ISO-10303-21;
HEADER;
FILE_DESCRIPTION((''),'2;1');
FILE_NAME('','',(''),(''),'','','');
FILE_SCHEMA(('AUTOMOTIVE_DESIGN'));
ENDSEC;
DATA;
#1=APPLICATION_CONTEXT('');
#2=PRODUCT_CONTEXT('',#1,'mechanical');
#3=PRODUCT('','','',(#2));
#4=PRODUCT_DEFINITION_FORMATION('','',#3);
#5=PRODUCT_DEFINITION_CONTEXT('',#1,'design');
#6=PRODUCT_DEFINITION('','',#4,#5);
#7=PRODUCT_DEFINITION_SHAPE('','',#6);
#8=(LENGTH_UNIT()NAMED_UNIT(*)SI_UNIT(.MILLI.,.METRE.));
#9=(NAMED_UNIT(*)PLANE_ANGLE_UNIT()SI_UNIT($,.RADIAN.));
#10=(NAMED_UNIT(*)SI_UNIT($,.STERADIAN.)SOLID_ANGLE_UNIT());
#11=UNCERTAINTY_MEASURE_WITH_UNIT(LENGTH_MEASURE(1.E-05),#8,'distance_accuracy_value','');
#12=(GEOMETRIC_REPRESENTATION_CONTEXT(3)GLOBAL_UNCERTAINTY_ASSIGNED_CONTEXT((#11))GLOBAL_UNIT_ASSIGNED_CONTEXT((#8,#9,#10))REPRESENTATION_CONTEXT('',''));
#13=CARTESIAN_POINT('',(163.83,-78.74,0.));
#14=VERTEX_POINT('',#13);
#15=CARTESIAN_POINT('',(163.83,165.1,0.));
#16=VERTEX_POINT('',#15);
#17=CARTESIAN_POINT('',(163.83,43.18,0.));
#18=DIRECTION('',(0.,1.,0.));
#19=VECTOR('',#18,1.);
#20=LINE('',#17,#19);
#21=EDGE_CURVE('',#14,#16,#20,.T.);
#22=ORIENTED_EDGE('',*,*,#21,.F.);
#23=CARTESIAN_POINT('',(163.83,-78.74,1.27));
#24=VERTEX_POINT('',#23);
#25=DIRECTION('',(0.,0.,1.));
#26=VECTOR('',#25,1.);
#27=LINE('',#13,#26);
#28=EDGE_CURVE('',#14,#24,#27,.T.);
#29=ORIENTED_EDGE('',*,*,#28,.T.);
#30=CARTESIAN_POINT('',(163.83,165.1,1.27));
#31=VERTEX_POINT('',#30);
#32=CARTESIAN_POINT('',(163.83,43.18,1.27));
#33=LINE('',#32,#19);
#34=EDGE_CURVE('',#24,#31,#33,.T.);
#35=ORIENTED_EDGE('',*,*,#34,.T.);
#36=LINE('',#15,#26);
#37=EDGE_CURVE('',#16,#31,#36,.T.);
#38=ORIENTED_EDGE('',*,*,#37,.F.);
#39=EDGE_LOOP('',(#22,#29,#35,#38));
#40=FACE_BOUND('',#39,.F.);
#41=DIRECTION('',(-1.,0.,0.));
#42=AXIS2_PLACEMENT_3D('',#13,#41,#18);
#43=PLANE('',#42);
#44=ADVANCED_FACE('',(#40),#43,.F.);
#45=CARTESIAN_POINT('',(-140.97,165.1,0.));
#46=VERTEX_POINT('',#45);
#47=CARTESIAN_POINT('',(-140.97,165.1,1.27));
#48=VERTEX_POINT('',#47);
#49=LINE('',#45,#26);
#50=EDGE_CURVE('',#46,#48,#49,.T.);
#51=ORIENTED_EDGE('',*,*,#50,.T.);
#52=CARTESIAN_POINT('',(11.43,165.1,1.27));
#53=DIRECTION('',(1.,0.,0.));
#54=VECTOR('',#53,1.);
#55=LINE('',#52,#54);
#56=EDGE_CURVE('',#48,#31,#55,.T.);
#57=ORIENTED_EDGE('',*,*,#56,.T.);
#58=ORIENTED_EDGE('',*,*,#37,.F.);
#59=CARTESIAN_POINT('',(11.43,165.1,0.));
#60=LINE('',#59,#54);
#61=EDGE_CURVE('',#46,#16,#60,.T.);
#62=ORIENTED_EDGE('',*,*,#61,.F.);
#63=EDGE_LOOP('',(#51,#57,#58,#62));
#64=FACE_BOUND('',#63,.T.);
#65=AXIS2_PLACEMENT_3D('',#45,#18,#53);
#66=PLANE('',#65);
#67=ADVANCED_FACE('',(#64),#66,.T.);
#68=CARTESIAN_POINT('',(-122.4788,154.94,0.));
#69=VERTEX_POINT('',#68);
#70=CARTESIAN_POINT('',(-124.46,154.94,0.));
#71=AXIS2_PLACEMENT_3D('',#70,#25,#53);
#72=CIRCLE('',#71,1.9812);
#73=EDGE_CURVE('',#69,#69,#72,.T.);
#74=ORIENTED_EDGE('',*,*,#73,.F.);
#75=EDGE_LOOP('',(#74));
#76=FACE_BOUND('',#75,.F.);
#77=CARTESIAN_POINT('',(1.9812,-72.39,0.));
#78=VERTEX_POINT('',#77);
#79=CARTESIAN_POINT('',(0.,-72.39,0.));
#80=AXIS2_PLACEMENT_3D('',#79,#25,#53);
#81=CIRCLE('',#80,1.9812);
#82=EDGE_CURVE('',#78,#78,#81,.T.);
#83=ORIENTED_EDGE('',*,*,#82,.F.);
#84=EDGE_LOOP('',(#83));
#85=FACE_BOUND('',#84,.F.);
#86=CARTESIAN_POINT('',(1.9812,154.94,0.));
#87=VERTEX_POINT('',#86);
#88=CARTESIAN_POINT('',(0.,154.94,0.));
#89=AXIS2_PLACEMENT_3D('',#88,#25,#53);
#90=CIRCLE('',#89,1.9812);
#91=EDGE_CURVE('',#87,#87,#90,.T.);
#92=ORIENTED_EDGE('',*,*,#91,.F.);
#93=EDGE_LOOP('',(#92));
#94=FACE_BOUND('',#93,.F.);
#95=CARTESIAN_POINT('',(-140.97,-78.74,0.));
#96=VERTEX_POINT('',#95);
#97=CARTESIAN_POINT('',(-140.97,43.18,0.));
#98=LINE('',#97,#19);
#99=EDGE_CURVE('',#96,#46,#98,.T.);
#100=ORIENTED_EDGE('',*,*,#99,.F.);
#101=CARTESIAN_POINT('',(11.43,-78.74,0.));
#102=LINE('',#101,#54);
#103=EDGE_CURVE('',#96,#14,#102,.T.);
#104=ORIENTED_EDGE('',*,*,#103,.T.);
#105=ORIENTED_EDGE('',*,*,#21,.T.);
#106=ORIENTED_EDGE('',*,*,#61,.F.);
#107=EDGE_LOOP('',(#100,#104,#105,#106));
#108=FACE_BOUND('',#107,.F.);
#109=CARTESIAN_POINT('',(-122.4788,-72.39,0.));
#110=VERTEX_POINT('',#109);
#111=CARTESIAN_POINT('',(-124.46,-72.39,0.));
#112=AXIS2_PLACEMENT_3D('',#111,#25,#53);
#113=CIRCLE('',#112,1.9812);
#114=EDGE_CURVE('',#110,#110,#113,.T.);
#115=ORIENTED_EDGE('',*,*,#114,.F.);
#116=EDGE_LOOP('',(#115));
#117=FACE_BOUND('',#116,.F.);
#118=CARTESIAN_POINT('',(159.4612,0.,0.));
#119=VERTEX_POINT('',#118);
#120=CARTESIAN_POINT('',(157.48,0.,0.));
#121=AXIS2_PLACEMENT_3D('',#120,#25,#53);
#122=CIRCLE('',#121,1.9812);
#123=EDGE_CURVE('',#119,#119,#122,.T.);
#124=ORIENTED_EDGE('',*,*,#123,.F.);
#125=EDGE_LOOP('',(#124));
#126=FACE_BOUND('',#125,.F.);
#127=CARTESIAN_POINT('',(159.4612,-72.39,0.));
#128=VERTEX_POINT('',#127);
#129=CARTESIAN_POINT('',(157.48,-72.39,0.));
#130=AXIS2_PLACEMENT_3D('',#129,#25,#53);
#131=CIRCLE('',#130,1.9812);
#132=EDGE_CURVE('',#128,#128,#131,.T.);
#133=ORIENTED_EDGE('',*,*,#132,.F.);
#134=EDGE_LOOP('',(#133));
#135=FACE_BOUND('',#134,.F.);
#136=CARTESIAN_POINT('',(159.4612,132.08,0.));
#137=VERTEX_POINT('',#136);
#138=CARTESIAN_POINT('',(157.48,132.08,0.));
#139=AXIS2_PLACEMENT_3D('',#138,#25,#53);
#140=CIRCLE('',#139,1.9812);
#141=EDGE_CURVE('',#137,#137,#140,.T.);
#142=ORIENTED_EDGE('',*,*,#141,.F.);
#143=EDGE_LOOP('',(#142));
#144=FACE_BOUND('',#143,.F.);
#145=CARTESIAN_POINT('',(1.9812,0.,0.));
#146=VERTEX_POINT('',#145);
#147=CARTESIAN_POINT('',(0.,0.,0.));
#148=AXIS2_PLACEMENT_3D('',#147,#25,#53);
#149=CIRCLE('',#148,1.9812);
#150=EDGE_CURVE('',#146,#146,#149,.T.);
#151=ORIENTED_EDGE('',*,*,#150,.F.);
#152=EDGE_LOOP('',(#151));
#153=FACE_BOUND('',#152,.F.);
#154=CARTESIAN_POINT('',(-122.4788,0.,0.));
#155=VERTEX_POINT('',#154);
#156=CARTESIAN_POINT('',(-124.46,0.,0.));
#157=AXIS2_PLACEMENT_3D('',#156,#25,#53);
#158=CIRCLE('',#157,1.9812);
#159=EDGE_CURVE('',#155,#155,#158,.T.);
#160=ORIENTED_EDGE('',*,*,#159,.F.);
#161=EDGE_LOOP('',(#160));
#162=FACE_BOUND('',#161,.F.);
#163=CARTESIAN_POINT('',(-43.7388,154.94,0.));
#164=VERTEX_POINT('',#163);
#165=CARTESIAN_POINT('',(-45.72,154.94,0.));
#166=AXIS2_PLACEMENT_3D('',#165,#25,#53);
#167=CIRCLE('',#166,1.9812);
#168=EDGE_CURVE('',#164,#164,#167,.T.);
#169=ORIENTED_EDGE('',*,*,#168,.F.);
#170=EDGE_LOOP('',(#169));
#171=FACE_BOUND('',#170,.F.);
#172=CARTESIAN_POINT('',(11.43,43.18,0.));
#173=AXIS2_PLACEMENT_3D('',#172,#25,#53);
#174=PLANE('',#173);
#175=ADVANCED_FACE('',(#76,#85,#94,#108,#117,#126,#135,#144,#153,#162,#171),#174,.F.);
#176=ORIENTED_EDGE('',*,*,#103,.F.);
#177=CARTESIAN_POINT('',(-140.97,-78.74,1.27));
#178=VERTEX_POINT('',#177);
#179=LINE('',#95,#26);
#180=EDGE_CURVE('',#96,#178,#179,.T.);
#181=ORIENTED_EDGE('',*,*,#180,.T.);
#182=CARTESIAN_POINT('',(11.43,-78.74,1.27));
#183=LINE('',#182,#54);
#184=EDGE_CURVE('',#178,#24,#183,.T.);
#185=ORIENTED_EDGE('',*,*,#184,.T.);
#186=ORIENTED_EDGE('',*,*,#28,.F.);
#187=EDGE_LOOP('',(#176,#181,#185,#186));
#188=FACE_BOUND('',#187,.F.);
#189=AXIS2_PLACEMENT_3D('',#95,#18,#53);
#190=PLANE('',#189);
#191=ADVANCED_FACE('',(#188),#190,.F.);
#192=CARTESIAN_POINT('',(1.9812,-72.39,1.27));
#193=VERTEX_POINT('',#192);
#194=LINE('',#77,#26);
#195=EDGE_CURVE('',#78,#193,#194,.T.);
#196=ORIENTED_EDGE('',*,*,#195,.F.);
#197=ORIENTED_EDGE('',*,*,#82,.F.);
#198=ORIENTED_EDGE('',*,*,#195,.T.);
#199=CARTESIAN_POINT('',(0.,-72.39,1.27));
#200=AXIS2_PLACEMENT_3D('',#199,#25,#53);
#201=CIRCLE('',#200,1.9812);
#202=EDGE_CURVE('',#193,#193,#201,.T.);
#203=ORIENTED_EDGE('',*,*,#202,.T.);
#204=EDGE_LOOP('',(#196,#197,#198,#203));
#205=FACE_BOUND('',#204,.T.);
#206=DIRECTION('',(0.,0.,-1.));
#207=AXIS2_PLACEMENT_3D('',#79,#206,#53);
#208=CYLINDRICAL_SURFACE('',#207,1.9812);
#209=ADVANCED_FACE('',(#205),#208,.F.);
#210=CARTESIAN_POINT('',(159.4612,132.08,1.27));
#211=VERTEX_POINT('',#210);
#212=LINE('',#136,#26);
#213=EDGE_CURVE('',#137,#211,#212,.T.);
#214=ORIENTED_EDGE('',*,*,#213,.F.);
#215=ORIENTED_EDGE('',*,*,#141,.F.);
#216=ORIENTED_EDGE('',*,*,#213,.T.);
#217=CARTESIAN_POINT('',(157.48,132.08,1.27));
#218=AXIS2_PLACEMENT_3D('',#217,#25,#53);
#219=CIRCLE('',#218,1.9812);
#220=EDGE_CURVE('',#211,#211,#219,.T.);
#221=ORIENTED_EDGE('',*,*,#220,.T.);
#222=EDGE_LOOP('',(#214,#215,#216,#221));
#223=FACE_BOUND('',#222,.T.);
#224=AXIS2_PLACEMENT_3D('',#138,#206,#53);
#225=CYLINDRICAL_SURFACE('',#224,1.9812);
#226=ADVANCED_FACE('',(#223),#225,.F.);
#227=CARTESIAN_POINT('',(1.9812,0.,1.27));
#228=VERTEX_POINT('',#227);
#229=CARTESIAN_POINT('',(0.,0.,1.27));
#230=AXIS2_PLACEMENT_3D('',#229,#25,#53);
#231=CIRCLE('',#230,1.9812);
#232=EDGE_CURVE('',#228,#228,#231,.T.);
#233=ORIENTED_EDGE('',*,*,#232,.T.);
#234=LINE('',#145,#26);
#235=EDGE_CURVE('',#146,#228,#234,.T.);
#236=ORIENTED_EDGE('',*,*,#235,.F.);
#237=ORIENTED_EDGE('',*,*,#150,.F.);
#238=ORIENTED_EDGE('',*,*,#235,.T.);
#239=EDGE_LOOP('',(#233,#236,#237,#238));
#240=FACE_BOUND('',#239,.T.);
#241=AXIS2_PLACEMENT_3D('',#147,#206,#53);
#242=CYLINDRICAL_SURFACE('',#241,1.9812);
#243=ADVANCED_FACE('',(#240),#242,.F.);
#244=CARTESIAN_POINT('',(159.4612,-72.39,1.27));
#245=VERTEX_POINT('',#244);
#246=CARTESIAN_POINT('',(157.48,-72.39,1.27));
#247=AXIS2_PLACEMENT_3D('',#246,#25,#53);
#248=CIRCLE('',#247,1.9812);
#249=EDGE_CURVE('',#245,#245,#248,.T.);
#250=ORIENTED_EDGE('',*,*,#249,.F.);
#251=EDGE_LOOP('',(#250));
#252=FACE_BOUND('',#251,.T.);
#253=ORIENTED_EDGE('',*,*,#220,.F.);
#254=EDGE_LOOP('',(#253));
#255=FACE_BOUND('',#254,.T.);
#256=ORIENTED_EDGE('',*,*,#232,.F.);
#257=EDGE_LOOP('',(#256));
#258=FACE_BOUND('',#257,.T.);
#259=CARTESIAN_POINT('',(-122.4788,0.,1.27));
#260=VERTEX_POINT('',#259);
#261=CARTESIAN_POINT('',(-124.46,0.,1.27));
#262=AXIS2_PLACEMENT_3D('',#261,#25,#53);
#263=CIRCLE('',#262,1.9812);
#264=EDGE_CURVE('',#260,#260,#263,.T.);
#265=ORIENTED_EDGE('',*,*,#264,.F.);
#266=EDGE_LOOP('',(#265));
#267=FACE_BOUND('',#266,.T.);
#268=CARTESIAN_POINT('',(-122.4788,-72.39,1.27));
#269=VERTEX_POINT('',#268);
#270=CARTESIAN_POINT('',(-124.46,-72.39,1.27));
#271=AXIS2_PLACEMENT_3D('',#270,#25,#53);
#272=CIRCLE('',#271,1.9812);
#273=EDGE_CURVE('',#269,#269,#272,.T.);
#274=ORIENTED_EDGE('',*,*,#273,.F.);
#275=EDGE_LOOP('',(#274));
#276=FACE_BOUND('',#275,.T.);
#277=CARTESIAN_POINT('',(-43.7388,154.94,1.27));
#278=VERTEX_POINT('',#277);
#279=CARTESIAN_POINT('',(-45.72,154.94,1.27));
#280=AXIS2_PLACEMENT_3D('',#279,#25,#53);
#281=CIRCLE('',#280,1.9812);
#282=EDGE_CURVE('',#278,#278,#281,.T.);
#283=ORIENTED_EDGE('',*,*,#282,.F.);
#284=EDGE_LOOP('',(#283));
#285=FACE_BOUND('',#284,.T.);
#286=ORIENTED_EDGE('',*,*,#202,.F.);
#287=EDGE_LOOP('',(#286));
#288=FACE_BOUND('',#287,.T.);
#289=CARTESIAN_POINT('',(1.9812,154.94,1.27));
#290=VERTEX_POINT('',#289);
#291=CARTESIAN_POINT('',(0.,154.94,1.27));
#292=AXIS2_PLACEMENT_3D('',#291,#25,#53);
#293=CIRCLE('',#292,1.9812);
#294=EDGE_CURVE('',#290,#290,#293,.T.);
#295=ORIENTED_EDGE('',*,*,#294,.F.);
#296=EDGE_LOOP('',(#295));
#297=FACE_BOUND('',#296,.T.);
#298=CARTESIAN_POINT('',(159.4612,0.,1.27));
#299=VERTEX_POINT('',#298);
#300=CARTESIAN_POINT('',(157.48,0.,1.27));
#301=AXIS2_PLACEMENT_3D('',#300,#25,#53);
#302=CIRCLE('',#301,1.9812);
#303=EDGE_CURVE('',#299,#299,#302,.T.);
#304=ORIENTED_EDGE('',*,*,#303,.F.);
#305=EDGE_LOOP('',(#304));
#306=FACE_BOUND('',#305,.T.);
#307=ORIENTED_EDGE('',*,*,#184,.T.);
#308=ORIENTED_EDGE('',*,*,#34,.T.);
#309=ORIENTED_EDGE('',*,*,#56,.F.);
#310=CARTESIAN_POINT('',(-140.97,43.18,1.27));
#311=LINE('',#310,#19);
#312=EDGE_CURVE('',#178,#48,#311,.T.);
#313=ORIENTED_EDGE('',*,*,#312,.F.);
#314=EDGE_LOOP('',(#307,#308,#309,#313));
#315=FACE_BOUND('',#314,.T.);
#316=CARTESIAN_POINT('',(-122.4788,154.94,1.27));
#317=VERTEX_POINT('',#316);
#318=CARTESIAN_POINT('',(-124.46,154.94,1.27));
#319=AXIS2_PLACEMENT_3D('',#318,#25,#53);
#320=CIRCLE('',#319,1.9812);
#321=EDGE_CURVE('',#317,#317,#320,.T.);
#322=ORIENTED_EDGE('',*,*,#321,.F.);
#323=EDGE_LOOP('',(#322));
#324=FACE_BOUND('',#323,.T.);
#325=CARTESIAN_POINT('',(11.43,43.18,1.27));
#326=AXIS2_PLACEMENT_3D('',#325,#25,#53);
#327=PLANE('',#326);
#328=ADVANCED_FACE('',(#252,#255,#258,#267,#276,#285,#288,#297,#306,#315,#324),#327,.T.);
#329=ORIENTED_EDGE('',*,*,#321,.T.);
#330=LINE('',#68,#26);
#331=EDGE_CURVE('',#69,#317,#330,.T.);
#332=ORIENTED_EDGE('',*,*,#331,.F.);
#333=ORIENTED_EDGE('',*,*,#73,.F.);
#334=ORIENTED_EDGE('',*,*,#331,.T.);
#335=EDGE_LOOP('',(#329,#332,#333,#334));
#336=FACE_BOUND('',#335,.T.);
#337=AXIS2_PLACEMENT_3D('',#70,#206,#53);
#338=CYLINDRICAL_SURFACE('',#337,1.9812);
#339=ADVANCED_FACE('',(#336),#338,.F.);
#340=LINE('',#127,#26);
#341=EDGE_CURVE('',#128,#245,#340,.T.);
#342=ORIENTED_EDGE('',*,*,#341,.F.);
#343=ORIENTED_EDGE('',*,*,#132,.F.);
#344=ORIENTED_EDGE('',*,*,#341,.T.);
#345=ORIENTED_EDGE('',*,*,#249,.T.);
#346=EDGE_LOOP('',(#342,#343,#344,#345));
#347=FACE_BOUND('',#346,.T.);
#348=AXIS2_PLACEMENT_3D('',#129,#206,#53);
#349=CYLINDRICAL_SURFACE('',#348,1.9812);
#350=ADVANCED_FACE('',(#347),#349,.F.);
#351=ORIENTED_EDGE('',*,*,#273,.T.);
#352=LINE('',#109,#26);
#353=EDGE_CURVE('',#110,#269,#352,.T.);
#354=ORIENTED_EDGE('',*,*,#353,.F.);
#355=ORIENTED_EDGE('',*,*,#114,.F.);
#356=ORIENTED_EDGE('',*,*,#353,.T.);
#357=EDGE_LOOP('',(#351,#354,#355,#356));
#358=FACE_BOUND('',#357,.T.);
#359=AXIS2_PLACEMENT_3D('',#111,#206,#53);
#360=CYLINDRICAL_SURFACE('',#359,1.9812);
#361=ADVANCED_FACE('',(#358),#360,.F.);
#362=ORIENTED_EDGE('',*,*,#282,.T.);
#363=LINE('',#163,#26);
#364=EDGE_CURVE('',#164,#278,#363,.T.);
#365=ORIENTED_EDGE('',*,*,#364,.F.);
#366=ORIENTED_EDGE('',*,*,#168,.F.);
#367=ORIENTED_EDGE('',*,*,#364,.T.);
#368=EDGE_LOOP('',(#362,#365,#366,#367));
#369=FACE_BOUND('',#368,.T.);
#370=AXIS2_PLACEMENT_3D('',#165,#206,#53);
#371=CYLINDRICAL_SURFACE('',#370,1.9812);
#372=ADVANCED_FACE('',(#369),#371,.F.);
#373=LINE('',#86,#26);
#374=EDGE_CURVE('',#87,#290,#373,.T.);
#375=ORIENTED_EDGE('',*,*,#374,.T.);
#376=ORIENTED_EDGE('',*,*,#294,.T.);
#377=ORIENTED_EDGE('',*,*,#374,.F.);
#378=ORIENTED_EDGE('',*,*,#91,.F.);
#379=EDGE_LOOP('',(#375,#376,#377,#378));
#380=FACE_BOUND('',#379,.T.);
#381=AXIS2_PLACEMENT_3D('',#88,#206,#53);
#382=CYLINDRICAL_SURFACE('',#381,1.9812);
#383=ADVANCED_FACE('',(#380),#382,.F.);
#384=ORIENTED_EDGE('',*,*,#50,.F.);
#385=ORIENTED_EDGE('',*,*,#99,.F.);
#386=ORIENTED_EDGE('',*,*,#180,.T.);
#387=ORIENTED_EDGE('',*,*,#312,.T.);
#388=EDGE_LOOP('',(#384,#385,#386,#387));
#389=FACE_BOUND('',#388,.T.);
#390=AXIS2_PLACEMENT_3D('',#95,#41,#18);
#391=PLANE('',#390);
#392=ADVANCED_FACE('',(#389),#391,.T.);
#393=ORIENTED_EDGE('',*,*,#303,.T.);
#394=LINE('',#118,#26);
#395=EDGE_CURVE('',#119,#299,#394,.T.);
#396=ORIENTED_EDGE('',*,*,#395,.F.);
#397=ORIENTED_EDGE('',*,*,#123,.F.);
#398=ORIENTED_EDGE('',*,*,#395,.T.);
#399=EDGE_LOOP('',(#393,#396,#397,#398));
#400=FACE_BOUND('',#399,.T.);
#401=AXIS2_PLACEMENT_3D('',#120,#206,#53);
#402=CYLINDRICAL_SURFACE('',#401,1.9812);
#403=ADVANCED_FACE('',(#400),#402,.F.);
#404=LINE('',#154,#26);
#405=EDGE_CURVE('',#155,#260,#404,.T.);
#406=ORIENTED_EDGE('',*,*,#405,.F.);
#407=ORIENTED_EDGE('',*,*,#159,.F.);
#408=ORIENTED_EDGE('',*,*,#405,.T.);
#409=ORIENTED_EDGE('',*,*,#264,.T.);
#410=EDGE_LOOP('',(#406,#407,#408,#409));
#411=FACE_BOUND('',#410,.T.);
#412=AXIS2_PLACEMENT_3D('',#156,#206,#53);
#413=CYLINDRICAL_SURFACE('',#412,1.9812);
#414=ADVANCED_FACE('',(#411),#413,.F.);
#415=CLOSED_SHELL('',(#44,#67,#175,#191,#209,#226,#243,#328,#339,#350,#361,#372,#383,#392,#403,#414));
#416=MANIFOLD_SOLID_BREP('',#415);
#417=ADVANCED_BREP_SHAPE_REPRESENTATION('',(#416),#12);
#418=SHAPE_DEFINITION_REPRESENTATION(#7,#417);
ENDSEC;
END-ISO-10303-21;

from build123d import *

# Parameters (mm, degrees)
F0_W     = 304.8
F0_H     = 243.84
F0_R     = 1.9812
F1_DEPTH = 1.27


with BuildPart() as f1:
    # F0 (on Top) → F1 (new body)
    with BuildSketch(Plane.XY):
        with Locations((11.43, 43.18)):
            Rectangle(F0_W, F0_H)
        with Locations((-124.46, -72.39)):
            Circle(F0_R, mode=Mode.SUBTRACT)
        with Locations((0, -72.39)):
            Circle(F0_R, mode=Mode.SUBTRACT)
        with Locations((-124.46, 0)):
            Circle(F0_R, mode=Mode.SUBTRACT)
        Circle(F0_R, mode=Mode.SUBTRACT)
        with Locations((157.48, -72.39)):
            Circle(F0_R, mode=Mode.SUBTRACT)
        with Locations((157.48, 0)):
            Circle(F0_R, mode=Mode.SUBTRACT)
        with Locations((-124.46, 154.94)):
            Circle(F0_R, mode=Mode.SUBTRACT)
        with Locations((-45.72, 154.94)):
            Circle(F0_R, mode=Mode.SUBTRACT)
        with Locations((0, 154.94)):
            Circle(F0_R, mode=Mode.SUBTRACT)
        with Locations((157.48, 132.08)):
            Circle(F0_R, mode=Mode.SUBTRACT)
    extrude(amount=F1_DEPTH)


solid = f1.part
